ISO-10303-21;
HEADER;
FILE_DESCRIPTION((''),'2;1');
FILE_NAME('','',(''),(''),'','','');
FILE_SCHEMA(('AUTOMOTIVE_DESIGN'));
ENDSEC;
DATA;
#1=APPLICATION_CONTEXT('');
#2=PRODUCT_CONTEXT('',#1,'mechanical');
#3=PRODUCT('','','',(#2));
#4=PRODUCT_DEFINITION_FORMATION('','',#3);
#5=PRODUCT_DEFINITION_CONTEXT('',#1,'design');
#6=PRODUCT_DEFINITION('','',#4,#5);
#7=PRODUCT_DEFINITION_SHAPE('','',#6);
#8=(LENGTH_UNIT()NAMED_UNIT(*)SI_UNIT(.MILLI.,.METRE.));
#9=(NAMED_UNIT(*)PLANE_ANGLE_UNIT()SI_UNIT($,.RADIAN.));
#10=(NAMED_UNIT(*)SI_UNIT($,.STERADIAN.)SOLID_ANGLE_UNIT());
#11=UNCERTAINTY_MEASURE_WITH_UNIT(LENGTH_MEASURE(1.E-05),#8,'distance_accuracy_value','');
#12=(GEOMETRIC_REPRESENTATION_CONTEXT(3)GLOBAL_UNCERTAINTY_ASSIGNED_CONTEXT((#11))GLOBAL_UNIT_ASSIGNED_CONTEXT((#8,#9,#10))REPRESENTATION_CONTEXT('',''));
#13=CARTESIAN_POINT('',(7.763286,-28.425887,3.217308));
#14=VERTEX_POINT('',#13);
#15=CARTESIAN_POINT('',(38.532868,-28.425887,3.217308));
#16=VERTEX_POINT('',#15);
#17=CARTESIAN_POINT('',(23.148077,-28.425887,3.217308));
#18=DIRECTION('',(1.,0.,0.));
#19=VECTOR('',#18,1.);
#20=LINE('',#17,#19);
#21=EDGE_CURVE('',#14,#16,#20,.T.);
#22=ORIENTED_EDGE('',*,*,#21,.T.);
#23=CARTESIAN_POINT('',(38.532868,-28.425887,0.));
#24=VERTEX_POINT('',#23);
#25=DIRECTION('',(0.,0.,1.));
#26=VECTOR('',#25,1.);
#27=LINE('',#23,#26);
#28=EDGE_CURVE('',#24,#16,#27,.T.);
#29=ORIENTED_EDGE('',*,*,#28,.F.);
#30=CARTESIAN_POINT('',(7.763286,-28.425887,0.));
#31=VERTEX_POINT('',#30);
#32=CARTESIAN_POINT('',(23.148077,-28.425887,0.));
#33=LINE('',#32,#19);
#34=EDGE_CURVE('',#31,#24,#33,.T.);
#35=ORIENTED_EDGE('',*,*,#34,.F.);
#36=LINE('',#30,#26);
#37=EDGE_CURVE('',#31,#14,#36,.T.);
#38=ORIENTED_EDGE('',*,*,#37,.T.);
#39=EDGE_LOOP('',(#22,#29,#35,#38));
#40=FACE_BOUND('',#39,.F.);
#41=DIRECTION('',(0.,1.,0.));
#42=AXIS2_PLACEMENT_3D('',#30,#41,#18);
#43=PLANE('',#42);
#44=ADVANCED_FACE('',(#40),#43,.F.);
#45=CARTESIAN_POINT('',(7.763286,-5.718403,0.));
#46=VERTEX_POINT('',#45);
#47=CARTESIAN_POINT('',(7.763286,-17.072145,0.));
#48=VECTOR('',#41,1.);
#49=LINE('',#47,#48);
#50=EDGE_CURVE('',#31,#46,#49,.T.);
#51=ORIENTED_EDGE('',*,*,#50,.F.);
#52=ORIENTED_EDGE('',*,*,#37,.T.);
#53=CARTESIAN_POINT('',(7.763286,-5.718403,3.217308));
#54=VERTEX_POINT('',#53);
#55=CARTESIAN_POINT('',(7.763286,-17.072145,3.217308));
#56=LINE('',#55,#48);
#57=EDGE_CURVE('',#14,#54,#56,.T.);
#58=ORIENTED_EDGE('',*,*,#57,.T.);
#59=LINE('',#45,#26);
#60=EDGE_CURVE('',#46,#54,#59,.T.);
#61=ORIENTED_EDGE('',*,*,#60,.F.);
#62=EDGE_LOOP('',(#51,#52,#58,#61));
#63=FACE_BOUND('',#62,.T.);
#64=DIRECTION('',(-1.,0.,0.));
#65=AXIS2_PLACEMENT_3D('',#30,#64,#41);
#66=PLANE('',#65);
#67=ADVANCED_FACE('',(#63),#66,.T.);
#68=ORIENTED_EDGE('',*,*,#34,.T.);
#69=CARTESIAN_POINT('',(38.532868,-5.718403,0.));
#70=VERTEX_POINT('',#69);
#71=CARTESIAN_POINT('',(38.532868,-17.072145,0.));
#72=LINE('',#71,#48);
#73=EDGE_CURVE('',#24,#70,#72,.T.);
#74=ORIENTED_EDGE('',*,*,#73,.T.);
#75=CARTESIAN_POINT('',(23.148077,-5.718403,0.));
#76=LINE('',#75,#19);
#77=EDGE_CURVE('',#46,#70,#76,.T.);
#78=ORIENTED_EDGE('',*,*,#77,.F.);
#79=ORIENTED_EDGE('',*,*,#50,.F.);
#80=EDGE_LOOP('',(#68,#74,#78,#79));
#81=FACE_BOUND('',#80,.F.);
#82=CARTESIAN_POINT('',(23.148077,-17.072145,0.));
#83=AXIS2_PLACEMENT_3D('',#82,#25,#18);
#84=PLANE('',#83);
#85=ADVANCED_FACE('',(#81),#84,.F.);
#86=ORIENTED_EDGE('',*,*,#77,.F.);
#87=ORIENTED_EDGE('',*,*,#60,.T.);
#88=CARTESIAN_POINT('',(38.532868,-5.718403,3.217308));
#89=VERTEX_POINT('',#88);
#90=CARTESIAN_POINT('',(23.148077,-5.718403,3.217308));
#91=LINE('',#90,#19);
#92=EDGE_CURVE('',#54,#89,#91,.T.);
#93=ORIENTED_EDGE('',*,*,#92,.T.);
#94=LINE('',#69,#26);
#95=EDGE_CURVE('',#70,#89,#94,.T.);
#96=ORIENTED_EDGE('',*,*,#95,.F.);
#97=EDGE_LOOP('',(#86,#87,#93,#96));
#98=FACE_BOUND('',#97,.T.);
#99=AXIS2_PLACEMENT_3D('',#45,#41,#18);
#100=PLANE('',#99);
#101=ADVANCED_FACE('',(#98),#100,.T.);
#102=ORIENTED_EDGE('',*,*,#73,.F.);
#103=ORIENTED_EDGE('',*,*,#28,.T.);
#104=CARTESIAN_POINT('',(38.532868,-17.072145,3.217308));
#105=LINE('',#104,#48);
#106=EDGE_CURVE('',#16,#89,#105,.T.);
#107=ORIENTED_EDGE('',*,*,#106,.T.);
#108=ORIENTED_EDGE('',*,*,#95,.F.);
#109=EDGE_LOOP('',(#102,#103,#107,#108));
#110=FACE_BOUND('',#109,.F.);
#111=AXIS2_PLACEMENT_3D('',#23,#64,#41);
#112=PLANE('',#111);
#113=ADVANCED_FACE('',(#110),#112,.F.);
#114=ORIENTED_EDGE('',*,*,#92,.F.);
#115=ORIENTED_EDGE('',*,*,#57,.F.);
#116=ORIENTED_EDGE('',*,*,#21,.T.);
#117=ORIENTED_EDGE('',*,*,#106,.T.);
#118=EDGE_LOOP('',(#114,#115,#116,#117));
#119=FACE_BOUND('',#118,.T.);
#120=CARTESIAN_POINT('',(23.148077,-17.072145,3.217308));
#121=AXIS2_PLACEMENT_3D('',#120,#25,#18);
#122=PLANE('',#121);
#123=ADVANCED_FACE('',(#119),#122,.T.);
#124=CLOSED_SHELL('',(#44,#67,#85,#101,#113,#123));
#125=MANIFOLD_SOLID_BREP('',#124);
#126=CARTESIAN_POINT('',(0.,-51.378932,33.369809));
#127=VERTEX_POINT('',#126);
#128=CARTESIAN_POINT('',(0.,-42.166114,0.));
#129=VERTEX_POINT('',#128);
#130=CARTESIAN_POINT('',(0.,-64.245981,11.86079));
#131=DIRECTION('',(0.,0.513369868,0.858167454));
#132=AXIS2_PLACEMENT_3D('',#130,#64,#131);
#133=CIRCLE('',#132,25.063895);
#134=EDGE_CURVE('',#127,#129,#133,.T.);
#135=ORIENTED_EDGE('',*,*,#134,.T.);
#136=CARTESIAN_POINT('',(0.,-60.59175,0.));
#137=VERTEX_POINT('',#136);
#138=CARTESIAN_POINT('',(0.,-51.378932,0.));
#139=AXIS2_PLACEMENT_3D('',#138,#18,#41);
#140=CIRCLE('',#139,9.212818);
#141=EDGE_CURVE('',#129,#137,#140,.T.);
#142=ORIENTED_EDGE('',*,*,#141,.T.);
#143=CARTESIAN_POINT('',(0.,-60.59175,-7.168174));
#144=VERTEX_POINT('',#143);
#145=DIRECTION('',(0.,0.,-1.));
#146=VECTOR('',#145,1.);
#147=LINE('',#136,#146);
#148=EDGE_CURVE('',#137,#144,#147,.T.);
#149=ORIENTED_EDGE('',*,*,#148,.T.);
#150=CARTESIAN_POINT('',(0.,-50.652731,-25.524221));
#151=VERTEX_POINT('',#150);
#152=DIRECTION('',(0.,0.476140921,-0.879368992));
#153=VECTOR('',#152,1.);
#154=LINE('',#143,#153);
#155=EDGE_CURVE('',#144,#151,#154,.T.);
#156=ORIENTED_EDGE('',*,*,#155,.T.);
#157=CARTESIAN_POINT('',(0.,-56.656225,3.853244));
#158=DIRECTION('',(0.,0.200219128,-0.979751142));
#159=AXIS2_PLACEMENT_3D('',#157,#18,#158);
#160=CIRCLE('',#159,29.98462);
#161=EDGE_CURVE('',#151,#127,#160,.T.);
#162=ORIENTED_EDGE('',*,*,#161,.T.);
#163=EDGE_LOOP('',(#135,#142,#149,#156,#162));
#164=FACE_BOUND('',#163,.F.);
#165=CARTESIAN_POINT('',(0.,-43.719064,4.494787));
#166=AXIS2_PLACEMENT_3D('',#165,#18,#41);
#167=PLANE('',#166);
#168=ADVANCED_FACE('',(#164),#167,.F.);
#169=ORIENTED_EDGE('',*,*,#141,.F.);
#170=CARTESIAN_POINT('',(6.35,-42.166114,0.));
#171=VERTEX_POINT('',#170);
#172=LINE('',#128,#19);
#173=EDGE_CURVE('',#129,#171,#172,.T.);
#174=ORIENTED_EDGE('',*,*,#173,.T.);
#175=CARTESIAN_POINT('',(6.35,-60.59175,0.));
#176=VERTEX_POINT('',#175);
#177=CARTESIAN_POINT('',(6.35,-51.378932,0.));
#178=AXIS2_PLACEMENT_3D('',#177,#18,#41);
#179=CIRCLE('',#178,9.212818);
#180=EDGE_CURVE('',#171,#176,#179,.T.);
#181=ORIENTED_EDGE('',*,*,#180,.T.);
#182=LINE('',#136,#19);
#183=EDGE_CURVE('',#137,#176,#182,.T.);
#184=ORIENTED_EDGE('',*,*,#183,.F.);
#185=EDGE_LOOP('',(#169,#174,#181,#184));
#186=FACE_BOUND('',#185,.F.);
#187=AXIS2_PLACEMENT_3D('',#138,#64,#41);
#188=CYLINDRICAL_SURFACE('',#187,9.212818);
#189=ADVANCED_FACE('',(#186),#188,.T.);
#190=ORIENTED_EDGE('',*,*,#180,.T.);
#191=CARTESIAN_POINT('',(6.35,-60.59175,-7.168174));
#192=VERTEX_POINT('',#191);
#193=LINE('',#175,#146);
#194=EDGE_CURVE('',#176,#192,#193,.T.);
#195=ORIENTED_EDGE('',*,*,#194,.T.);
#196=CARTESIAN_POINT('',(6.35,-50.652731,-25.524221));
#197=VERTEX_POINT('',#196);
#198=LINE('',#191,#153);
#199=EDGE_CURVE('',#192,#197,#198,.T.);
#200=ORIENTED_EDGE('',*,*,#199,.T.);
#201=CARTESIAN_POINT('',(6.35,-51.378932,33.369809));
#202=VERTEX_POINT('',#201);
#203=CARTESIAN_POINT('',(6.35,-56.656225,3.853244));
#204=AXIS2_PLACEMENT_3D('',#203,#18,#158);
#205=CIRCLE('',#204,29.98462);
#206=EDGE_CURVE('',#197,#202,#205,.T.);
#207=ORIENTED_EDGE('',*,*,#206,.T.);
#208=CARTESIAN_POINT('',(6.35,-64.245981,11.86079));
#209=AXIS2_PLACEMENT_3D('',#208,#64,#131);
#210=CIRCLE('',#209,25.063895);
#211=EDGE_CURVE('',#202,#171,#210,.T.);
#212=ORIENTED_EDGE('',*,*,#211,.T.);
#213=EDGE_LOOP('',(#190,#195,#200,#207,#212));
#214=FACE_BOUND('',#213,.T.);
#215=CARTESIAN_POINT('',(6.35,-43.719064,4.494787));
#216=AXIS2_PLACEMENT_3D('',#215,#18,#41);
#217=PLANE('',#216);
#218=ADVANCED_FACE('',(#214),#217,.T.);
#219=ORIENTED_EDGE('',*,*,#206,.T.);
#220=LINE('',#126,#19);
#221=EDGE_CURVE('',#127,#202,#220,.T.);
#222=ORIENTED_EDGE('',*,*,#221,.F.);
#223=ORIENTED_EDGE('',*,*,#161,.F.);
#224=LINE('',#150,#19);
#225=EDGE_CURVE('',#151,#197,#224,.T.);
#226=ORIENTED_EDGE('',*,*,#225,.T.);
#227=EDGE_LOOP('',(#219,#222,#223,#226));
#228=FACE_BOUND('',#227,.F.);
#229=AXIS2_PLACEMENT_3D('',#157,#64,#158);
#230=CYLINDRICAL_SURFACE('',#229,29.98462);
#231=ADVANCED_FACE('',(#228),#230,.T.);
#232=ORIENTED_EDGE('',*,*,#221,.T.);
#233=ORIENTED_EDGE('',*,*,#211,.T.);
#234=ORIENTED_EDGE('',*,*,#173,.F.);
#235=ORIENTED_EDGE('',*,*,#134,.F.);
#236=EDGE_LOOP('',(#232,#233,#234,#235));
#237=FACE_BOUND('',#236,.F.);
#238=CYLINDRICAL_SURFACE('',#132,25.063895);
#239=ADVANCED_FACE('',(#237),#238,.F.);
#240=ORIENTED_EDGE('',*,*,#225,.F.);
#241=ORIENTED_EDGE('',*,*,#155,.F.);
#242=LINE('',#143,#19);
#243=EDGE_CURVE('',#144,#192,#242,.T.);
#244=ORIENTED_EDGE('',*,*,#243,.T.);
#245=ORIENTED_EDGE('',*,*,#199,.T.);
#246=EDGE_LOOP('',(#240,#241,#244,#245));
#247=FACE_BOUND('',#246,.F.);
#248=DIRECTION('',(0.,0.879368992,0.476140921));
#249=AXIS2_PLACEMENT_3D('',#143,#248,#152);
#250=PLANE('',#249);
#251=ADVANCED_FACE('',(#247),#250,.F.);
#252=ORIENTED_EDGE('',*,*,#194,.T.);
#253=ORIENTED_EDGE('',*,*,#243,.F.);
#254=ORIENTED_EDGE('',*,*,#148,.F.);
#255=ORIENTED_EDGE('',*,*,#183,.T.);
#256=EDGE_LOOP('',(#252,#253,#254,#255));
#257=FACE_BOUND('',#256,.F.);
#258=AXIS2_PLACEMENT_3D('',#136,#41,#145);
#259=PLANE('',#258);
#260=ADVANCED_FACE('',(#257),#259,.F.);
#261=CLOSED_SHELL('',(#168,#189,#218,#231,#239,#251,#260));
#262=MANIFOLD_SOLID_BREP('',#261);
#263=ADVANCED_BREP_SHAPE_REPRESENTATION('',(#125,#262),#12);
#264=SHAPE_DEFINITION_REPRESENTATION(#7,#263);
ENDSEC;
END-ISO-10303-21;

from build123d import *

# Parameters (mm, degrees)
F0_W     = 30.769583
F0_H     = 22.707484
F1_DEPTH = 3.217308
F3_DEPTH = 6.35


with BuildPart() as f1:
    # F0 (on Top) → F1 (new body)
    with BuildSketch(Plane.XY):
        with Locations((23.148077, -17.072145)):
            Rectangle(F0_W, F0_H)
    extrude(amount=F1_DEPTH)


with BuildPart() as f3:
    # F2 (on Right) → F3 (new body)
    with BuildSketch(Plane.YZ):
        with BuildLine():
            Line((-60.59175, -7.168174), (-50.652731, -25.524221))
            ThreePointArc((-50.652731, -25.524221), (-26.673885, 4.222946), (-51.378932, 33.369809))
            ThreePointArc((-51.378932, 33.369809), (-40.085936, 18.530954), (-42.166114, 0))
            ThreePointArc((-42.166114, 0), (-51.378932, 9.212818), (-60.59175, 0))
            Line((-60.59175, 0), (-60.59175, -7.168174))
        make_face()
    extrude(amount=F3_DEPTH)


solid = Compound([f1.part, f3.part])
